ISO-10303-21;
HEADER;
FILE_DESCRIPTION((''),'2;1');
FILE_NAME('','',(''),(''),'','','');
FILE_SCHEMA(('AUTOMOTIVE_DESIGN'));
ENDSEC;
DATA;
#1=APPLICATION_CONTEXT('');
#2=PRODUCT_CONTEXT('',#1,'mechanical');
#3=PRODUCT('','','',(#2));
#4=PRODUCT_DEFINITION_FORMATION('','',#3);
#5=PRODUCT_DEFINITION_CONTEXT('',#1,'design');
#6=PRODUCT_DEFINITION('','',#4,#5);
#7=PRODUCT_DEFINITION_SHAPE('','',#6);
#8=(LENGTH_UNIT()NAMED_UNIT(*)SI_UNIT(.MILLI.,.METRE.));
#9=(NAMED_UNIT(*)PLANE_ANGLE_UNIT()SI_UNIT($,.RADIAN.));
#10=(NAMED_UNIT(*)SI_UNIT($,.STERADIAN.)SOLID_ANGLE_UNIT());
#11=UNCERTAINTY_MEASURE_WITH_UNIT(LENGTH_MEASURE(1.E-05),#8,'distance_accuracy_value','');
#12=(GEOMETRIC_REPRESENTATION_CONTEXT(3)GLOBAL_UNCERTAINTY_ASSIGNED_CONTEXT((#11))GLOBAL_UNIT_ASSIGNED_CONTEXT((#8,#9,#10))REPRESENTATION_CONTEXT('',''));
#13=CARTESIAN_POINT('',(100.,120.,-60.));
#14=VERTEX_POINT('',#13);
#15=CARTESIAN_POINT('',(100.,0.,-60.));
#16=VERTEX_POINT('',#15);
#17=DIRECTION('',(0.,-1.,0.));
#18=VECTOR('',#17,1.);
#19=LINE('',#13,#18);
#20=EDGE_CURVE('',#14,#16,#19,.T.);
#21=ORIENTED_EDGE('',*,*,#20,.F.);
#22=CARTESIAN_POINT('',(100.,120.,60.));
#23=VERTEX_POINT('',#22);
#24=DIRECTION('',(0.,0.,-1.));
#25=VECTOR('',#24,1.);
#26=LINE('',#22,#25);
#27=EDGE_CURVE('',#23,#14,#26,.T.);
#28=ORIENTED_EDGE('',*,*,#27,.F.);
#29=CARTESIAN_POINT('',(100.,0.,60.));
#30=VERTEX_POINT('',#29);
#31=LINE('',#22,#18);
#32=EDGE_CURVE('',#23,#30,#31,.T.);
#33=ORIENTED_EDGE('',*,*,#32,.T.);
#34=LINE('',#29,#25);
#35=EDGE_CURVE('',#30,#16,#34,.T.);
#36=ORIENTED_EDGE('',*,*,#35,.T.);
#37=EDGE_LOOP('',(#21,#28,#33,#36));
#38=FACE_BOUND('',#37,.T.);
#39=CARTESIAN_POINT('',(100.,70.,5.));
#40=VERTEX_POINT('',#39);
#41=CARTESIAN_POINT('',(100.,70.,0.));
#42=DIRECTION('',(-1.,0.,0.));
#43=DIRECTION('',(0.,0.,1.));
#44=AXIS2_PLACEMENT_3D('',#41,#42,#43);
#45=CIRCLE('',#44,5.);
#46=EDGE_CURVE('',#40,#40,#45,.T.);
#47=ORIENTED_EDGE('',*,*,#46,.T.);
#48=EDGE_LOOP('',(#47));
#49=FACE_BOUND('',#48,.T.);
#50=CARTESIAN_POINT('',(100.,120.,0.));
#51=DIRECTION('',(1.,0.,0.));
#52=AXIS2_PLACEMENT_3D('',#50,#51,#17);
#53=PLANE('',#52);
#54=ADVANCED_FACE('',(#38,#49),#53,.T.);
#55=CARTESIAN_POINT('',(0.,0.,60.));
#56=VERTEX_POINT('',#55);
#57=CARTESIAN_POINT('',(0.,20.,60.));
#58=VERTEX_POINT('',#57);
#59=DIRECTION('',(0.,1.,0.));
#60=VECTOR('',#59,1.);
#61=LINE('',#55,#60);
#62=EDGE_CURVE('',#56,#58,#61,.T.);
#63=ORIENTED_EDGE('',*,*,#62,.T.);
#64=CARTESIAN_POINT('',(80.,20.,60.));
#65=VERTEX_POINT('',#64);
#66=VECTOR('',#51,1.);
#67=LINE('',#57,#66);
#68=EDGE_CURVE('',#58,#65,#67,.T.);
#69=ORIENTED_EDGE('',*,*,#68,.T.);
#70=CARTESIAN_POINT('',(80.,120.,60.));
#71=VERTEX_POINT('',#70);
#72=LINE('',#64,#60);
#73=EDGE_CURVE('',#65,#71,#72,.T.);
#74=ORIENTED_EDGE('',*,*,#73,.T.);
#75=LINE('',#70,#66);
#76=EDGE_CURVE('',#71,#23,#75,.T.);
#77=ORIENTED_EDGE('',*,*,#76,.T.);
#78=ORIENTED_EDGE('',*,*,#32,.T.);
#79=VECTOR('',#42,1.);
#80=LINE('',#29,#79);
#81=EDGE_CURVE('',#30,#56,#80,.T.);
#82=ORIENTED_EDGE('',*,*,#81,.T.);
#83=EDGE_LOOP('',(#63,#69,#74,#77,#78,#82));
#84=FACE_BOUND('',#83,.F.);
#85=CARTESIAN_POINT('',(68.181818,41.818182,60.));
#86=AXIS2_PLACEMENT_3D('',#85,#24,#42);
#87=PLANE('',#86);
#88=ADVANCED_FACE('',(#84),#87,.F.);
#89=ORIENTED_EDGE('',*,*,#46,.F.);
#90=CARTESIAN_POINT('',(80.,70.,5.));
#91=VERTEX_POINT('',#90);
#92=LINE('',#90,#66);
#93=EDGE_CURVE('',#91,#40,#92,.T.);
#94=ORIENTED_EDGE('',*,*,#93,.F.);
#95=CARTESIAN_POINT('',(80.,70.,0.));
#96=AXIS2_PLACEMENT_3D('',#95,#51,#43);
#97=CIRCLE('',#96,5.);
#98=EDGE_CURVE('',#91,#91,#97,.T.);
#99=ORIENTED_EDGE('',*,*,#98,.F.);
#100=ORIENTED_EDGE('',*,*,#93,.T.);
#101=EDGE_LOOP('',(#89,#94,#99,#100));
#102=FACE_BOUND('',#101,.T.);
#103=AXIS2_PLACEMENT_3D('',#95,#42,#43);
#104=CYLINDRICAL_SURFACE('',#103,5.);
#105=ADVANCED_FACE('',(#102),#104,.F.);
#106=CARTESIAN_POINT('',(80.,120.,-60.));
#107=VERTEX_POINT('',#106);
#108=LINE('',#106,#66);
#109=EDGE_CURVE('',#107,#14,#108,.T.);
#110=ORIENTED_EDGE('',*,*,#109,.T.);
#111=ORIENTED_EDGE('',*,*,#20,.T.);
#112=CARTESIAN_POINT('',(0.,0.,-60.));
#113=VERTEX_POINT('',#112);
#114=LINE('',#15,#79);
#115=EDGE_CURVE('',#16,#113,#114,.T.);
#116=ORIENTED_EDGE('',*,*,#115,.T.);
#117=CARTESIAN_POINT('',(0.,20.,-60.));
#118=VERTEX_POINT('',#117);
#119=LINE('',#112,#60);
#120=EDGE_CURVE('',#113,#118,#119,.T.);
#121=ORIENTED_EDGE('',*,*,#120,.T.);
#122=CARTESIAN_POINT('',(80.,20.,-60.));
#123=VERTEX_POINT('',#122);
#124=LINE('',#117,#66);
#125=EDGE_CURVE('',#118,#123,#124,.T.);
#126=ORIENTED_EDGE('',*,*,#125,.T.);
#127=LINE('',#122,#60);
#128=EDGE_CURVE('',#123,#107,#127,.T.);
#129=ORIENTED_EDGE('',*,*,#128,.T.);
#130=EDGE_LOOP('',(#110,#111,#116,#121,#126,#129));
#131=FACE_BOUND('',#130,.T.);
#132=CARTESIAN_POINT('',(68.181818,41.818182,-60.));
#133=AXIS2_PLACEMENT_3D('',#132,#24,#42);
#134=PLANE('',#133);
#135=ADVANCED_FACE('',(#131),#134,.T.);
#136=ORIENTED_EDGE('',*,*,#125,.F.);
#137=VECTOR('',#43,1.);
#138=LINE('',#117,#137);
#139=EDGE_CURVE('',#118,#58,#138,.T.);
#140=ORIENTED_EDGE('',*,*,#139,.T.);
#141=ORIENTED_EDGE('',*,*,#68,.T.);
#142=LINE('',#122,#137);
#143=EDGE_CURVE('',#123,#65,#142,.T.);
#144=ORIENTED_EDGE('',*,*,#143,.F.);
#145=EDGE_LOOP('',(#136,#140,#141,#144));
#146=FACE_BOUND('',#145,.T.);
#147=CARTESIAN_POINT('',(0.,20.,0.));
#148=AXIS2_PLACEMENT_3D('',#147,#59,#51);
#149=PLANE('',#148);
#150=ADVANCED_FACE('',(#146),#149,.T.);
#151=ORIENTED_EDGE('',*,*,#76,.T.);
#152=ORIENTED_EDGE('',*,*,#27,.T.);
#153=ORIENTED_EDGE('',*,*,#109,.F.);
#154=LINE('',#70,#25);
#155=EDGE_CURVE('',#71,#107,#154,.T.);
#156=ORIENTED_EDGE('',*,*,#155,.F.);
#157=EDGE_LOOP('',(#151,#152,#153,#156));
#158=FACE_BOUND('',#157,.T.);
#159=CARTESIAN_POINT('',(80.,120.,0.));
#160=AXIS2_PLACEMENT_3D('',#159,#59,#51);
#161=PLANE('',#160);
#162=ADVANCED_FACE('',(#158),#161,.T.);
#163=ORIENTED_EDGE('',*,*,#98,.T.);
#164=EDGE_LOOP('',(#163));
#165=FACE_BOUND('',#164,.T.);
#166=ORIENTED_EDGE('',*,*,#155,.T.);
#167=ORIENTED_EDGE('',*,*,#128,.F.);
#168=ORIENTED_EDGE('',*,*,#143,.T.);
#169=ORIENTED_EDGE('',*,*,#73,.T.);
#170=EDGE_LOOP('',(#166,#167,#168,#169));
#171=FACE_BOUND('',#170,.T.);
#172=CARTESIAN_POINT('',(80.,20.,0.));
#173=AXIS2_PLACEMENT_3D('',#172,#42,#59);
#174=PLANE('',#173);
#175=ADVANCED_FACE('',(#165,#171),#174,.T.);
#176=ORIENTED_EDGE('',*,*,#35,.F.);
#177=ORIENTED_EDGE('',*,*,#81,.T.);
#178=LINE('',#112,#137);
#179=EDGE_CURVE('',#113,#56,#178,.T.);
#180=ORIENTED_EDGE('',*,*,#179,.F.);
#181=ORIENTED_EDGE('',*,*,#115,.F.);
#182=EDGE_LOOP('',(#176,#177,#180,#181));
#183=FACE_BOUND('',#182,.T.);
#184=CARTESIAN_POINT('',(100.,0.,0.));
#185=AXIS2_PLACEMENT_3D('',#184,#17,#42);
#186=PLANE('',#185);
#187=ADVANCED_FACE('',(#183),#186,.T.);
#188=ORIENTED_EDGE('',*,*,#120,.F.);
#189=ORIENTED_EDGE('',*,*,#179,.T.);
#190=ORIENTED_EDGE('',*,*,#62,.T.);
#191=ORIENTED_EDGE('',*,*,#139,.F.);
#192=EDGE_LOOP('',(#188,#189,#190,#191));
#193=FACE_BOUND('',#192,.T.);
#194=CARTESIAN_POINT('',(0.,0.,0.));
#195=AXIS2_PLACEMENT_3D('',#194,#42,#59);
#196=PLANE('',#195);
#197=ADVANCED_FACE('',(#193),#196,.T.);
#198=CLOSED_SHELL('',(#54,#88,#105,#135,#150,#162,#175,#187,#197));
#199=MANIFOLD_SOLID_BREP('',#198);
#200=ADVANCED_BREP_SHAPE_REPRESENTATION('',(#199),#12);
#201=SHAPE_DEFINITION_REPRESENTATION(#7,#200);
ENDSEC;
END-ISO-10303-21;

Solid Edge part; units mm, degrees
sketch "Sketch1" plane through (0, 0, 0) normal (0, 0, 1) x (1, 0, 0)
  line L0 (80, 20) -> (80, 120)
  line L1 (80, 120) -> (100, 120)
  line L2 (100, 120) -> (100, 0)
  line L3 (100, 0) -> (0, 0)
  line L4 (0, 0) -> (0, 20)
  line L5 (0, 20) -> (80, 20)
extrude "Protrusion1" add sketch "Sketch1" along normal mid plane 120
hole "Bohrung_2" at (80, 70, 0) direction (1, 0, 0) diameter 10 end up to next
